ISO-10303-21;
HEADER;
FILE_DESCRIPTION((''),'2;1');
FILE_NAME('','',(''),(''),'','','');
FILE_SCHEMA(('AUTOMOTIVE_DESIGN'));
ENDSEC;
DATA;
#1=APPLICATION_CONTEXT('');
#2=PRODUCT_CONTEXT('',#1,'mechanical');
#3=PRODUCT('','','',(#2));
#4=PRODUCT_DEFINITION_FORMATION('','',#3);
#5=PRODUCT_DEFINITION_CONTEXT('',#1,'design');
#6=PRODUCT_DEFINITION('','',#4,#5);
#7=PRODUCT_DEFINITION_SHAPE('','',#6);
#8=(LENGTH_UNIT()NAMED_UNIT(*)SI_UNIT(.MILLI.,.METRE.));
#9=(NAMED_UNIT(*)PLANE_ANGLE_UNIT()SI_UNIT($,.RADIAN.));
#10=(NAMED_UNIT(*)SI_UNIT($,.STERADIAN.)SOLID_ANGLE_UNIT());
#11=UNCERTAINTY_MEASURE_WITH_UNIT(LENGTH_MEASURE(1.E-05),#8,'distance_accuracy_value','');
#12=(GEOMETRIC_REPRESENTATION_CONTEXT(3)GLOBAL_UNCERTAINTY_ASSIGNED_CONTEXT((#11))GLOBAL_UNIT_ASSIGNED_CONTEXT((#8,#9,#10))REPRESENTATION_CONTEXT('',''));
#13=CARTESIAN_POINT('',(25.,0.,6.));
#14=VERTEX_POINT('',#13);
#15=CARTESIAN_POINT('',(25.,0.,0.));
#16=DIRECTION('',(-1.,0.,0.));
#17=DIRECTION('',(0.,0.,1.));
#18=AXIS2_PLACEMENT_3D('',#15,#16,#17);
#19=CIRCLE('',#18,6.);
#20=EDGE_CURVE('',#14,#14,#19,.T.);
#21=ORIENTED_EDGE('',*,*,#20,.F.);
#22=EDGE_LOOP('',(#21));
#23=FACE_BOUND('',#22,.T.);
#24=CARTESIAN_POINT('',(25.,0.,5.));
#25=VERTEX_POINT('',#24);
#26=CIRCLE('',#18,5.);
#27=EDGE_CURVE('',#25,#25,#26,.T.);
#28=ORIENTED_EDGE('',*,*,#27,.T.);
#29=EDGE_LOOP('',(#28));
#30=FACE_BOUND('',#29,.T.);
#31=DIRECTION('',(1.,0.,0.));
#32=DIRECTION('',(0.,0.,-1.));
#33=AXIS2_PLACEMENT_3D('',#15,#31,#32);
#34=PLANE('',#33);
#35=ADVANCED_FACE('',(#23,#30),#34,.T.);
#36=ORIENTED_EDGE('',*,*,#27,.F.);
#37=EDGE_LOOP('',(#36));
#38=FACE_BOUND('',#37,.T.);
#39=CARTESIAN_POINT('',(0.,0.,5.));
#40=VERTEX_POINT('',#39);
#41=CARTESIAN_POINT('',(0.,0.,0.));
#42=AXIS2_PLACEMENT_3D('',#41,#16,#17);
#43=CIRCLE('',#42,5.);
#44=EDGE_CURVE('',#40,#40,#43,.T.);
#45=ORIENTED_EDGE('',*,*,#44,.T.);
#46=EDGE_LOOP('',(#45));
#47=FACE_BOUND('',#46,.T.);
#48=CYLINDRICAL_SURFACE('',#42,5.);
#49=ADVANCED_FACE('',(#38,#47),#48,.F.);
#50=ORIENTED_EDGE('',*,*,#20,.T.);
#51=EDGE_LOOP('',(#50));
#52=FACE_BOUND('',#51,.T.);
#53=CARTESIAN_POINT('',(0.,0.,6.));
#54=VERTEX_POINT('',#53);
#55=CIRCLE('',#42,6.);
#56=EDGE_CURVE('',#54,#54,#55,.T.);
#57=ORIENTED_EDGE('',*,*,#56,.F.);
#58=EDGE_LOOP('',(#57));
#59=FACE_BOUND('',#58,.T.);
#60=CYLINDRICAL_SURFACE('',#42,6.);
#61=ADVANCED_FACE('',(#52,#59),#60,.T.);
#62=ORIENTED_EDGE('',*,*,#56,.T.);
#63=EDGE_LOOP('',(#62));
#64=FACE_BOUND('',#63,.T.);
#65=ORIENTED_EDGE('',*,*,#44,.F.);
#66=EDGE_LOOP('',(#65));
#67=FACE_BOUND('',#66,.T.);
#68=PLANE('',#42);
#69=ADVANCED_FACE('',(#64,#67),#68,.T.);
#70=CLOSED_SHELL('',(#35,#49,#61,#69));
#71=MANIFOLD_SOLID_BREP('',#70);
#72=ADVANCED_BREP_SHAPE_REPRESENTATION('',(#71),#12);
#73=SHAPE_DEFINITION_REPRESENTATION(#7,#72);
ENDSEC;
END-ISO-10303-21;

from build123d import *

# Parameters (mm, degrees)
SKIZZE1_W = 25
SKIZZE1_H = 1


with BuildPart() as part:
    # Skizze1 → Rotation1 (revolve)
    with BuildSketch(Plane(origin=(0, 0, 0), x_dir=(1, 0, 0), z_dir=(0, 1, 0))):
        with Locations((12.5, 5.5)):
            Rectangle(SKIZZE1_W, SKIZZE1_H)
    revolve(axis=Axis((0, 0, 0), (1, 0, 0)))


solid = part.part
